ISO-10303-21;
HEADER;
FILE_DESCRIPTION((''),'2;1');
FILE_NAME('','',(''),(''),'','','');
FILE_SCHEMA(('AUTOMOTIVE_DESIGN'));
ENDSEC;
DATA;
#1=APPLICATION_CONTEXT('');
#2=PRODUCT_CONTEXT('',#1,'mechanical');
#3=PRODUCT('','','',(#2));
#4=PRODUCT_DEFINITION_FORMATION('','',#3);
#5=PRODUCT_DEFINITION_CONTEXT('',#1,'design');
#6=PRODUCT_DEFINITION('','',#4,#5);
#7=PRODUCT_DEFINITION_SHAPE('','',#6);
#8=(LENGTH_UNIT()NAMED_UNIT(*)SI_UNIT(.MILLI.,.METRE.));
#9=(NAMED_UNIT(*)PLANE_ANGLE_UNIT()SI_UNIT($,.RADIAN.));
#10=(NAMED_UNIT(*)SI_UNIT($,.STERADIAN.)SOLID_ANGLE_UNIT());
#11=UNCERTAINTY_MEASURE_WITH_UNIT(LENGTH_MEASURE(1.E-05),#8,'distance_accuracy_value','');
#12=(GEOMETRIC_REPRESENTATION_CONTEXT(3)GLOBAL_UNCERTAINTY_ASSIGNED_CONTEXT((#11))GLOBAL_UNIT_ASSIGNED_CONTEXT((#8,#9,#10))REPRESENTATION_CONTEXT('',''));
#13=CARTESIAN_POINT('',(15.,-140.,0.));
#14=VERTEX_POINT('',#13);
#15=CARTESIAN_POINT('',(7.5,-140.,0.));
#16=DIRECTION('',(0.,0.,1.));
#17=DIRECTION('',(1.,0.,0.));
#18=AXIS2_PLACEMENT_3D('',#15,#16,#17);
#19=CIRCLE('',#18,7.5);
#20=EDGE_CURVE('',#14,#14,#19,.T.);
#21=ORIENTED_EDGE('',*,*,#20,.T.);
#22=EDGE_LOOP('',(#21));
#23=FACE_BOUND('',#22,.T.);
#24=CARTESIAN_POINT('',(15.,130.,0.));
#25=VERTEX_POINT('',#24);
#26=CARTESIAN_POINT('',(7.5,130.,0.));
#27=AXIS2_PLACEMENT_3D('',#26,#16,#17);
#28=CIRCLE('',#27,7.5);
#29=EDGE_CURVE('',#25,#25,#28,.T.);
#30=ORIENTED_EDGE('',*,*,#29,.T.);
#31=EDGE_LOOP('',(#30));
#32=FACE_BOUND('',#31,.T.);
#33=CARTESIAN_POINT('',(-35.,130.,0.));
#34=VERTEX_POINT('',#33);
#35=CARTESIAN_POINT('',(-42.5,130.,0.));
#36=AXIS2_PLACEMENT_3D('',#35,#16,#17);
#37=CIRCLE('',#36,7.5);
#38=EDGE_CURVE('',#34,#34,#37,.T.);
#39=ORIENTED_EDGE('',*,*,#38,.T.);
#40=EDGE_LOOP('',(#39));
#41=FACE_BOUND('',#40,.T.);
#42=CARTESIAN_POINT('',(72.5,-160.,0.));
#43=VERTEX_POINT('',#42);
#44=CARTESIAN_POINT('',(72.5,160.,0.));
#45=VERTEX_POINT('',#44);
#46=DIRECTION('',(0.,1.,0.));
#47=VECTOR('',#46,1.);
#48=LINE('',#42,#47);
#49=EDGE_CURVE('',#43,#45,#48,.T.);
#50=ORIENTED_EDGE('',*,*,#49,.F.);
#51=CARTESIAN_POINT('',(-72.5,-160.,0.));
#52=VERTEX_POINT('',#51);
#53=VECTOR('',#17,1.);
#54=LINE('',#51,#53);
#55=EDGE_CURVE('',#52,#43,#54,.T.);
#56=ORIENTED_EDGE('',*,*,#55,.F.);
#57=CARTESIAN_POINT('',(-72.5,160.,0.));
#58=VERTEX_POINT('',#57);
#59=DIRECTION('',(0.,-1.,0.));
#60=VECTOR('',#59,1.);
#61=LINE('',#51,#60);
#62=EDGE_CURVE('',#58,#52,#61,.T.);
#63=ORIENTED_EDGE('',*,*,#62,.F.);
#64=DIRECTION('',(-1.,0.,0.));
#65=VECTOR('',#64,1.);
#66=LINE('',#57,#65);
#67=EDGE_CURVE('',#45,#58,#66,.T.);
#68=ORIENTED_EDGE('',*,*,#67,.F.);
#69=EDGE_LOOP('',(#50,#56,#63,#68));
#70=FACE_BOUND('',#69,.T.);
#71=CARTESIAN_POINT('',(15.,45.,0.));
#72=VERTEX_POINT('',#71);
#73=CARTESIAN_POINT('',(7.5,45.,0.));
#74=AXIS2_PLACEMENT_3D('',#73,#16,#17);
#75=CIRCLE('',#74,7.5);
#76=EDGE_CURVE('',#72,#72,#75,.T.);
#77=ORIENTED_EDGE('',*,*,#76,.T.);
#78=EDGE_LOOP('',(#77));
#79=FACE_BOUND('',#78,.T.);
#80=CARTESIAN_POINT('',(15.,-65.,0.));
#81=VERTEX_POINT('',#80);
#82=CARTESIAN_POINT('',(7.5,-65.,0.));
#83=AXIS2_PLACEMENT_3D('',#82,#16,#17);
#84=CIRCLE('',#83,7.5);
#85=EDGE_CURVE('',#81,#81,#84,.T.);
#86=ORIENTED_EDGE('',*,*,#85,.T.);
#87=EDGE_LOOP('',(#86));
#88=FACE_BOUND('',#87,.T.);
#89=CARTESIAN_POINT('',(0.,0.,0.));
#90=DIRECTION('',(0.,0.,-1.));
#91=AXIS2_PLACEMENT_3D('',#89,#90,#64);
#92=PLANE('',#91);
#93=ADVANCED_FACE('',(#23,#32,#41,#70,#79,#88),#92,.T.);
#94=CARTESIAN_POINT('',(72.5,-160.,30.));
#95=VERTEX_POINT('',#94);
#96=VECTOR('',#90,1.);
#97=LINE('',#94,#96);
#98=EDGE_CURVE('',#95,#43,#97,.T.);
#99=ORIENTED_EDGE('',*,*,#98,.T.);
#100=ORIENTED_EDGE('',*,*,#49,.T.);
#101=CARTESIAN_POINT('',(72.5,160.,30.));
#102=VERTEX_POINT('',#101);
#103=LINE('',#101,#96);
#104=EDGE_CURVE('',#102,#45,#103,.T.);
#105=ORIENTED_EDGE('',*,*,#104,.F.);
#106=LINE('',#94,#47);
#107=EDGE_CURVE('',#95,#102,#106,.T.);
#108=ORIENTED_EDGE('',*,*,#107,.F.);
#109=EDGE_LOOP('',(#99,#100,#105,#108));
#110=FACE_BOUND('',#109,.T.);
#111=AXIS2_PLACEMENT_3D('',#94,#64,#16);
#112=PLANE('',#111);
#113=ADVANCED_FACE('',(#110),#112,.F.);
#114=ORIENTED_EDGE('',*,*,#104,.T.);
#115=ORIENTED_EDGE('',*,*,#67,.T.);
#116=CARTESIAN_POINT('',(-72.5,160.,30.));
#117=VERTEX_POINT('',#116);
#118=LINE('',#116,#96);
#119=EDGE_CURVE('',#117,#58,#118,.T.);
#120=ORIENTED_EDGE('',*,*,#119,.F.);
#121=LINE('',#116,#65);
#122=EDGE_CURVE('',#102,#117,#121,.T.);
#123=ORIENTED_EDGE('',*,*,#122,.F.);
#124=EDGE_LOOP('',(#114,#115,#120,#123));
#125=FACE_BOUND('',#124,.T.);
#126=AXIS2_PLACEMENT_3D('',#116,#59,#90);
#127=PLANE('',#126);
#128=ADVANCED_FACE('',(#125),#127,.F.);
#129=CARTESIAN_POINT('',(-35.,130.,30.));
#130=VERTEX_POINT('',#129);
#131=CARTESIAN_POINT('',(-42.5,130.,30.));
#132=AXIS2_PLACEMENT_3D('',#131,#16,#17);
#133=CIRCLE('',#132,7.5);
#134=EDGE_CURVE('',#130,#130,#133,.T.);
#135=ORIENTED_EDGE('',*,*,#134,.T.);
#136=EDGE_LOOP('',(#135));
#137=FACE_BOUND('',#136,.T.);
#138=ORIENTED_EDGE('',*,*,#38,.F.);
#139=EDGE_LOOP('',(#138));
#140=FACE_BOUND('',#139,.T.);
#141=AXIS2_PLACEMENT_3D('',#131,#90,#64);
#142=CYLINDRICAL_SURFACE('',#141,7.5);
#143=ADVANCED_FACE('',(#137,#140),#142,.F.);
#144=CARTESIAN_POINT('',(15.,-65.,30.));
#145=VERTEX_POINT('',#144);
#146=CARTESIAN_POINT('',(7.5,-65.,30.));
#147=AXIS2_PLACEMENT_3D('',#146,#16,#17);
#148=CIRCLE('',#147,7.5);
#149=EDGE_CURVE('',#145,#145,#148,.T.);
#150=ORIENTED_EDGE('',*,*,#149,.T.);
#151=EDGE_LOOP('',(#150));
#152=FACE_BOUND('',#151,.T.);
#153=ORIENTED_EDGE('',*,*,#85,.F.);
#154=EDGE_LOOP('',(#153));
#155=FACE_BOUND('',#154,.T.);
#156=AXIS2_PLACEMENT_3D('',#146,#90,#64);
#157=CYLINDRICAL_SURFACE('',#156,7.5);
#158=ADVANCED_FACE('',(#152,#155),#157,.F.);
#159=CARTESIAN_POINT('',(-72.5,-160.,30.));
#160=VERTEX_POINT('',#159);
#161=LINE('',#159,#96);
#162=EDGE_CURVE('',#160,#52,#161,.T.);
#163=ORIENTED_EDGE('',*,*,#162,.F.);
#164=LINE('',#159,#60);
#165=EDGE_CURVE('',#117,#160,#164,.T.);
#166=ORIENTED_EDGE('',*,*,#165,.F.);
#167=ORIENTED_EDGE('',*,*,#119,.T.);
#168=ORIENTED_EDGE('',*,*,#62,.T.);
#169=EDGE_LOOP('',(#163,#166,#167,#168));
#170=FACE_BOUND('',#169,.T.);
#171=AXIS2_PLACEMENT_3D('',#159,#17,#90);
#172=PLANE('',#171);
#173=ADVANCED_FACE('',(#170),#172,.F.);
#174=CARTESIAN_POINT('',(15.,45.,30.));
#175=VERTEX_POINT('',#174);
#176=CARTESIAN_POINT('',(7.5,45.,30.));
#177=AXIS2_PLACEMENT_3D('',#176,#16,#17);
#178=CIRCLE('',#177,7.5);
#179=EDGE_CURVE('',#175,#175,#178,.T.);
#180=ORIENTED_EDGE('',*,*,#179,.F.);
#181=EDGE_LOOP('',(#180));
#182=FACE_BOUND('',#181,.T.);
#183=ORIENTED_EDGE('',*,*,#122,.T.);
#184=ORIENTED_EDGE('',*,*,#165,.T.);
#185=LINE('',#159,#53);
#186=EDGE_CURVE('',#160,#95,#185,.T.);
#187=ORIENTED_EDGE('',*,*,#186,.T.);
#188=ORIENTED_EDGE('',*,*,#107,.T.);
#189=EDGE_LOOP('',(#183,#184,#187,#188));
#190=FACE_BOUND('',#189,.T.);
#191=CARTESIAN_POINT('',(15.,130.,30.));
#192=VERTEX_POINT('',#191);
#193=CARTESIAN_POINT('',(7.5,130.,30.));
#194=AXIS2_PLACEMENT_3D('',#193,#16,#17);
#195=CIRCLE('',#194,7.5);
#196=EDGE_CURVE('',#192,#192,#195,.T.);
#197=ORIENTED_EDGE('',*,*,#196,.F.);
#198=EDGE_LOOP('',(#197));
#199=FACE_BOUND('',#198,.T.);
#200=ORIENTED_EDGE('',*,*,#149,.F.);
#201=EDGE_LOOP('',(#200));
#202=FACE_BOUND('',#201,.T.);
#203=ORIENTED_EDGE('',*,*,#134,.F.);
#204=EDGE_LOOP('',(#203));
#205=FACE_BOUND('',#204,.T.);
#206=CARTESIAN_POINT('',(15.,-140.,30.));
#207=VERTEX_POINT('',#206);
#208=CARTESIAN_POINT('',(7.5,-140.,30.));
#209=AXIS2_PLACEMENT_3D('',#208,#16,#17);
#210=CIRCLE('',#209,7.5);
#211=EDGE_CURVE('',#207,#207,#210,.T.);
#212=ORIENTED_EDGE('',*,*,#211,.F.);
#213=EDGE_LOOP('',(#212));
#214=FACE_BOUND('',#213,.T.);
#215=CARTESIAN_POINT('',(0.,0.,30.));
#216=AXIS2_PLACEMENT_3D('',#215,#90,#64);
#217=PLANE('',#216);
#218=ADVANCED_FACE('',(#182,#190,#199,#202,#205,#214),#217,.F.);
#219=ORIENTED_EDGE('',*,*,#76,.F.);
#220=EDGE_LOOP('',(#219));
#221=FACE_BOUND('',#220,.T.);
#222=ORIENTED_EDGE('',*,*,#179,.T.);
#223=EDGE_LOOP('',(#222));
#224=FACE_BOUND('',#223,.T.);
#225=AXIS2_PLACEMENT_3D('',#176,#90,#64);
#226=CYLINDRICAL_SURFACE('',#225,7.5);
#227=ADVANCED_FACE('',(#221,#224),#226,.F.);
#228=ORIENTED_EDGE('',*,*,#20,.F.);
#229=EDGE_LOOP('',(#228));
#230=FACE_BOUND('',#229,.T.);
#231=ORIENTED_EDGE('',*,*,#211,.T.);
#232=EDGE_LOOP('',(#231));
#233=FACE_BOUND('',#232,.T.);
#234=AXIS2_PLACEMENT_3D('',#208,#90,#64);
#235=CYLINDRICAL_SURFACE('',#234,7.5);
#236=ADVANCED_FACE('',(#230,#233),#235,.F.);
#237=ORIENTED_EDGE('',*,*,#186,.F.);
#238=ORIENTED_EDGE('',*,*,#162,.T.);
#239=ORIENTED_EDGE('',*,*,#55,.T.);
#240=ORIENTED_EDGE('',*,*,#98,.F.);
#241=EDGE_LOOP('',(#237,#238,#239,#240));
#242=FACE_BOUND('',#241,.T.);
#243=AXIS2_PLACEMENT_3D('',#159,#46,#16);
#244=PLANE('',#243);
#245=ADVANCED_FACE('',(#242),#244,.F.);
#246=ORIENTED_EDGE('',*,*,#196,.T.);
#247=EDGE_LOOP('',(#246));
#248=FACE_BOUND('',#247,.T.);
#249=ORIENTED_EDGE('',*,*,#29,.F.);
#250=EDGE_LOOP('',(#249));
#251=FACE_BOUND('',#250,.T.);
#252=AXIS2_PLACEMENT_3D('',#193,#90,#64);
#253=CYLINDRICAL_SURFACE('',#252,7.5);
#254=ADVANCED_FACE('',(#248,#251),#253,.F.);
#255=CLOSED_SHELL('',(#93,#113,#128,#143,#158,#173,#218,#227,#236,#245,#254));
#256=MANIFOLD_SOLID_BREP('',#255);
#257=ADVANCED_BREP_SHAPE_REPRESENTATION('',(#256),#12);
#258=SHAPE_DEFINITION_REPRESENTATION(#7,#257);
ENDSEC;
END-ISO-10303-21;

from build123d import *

# Parameters (mm, degrees)
SKETCH_1_W      = 145
SKETCH_1_H      = 320
SKETCH_1_R      = 7.5
EXTRUDE_1_DEPTH = 30


with BuildPart() as part:
    # 草图1 → 凸台-拉伸1 (new body)
    with BuildSketch(Plane.XY):
        Rectangle(SKETCH_1_W, SKETCH_1_H)
        with Locations((7.5, 130)):
            Circle(SKETCH_1_R, mode=Mode.SUBTRACT)
        with Locations((-42.5, 130)):
            Circle(SKETCH_1_R, mode=Mode.SUBTRACT)
        with Locations((7.5, -140)):
            Circle(SKETCH_1_R, mode=Mode.SUBTRACT)
        with Locations((7.5, 45)):
            Circle(SKETCH_1_R, mode=Mode.SUBTRACT)
        with Locations((7.5, -65)):
            Circle(SKETCH_1_R, mode=Mode.SUBTRACT)
    extrude(amount=EXTRUDE_1_DEPTH)


solid = part.part
